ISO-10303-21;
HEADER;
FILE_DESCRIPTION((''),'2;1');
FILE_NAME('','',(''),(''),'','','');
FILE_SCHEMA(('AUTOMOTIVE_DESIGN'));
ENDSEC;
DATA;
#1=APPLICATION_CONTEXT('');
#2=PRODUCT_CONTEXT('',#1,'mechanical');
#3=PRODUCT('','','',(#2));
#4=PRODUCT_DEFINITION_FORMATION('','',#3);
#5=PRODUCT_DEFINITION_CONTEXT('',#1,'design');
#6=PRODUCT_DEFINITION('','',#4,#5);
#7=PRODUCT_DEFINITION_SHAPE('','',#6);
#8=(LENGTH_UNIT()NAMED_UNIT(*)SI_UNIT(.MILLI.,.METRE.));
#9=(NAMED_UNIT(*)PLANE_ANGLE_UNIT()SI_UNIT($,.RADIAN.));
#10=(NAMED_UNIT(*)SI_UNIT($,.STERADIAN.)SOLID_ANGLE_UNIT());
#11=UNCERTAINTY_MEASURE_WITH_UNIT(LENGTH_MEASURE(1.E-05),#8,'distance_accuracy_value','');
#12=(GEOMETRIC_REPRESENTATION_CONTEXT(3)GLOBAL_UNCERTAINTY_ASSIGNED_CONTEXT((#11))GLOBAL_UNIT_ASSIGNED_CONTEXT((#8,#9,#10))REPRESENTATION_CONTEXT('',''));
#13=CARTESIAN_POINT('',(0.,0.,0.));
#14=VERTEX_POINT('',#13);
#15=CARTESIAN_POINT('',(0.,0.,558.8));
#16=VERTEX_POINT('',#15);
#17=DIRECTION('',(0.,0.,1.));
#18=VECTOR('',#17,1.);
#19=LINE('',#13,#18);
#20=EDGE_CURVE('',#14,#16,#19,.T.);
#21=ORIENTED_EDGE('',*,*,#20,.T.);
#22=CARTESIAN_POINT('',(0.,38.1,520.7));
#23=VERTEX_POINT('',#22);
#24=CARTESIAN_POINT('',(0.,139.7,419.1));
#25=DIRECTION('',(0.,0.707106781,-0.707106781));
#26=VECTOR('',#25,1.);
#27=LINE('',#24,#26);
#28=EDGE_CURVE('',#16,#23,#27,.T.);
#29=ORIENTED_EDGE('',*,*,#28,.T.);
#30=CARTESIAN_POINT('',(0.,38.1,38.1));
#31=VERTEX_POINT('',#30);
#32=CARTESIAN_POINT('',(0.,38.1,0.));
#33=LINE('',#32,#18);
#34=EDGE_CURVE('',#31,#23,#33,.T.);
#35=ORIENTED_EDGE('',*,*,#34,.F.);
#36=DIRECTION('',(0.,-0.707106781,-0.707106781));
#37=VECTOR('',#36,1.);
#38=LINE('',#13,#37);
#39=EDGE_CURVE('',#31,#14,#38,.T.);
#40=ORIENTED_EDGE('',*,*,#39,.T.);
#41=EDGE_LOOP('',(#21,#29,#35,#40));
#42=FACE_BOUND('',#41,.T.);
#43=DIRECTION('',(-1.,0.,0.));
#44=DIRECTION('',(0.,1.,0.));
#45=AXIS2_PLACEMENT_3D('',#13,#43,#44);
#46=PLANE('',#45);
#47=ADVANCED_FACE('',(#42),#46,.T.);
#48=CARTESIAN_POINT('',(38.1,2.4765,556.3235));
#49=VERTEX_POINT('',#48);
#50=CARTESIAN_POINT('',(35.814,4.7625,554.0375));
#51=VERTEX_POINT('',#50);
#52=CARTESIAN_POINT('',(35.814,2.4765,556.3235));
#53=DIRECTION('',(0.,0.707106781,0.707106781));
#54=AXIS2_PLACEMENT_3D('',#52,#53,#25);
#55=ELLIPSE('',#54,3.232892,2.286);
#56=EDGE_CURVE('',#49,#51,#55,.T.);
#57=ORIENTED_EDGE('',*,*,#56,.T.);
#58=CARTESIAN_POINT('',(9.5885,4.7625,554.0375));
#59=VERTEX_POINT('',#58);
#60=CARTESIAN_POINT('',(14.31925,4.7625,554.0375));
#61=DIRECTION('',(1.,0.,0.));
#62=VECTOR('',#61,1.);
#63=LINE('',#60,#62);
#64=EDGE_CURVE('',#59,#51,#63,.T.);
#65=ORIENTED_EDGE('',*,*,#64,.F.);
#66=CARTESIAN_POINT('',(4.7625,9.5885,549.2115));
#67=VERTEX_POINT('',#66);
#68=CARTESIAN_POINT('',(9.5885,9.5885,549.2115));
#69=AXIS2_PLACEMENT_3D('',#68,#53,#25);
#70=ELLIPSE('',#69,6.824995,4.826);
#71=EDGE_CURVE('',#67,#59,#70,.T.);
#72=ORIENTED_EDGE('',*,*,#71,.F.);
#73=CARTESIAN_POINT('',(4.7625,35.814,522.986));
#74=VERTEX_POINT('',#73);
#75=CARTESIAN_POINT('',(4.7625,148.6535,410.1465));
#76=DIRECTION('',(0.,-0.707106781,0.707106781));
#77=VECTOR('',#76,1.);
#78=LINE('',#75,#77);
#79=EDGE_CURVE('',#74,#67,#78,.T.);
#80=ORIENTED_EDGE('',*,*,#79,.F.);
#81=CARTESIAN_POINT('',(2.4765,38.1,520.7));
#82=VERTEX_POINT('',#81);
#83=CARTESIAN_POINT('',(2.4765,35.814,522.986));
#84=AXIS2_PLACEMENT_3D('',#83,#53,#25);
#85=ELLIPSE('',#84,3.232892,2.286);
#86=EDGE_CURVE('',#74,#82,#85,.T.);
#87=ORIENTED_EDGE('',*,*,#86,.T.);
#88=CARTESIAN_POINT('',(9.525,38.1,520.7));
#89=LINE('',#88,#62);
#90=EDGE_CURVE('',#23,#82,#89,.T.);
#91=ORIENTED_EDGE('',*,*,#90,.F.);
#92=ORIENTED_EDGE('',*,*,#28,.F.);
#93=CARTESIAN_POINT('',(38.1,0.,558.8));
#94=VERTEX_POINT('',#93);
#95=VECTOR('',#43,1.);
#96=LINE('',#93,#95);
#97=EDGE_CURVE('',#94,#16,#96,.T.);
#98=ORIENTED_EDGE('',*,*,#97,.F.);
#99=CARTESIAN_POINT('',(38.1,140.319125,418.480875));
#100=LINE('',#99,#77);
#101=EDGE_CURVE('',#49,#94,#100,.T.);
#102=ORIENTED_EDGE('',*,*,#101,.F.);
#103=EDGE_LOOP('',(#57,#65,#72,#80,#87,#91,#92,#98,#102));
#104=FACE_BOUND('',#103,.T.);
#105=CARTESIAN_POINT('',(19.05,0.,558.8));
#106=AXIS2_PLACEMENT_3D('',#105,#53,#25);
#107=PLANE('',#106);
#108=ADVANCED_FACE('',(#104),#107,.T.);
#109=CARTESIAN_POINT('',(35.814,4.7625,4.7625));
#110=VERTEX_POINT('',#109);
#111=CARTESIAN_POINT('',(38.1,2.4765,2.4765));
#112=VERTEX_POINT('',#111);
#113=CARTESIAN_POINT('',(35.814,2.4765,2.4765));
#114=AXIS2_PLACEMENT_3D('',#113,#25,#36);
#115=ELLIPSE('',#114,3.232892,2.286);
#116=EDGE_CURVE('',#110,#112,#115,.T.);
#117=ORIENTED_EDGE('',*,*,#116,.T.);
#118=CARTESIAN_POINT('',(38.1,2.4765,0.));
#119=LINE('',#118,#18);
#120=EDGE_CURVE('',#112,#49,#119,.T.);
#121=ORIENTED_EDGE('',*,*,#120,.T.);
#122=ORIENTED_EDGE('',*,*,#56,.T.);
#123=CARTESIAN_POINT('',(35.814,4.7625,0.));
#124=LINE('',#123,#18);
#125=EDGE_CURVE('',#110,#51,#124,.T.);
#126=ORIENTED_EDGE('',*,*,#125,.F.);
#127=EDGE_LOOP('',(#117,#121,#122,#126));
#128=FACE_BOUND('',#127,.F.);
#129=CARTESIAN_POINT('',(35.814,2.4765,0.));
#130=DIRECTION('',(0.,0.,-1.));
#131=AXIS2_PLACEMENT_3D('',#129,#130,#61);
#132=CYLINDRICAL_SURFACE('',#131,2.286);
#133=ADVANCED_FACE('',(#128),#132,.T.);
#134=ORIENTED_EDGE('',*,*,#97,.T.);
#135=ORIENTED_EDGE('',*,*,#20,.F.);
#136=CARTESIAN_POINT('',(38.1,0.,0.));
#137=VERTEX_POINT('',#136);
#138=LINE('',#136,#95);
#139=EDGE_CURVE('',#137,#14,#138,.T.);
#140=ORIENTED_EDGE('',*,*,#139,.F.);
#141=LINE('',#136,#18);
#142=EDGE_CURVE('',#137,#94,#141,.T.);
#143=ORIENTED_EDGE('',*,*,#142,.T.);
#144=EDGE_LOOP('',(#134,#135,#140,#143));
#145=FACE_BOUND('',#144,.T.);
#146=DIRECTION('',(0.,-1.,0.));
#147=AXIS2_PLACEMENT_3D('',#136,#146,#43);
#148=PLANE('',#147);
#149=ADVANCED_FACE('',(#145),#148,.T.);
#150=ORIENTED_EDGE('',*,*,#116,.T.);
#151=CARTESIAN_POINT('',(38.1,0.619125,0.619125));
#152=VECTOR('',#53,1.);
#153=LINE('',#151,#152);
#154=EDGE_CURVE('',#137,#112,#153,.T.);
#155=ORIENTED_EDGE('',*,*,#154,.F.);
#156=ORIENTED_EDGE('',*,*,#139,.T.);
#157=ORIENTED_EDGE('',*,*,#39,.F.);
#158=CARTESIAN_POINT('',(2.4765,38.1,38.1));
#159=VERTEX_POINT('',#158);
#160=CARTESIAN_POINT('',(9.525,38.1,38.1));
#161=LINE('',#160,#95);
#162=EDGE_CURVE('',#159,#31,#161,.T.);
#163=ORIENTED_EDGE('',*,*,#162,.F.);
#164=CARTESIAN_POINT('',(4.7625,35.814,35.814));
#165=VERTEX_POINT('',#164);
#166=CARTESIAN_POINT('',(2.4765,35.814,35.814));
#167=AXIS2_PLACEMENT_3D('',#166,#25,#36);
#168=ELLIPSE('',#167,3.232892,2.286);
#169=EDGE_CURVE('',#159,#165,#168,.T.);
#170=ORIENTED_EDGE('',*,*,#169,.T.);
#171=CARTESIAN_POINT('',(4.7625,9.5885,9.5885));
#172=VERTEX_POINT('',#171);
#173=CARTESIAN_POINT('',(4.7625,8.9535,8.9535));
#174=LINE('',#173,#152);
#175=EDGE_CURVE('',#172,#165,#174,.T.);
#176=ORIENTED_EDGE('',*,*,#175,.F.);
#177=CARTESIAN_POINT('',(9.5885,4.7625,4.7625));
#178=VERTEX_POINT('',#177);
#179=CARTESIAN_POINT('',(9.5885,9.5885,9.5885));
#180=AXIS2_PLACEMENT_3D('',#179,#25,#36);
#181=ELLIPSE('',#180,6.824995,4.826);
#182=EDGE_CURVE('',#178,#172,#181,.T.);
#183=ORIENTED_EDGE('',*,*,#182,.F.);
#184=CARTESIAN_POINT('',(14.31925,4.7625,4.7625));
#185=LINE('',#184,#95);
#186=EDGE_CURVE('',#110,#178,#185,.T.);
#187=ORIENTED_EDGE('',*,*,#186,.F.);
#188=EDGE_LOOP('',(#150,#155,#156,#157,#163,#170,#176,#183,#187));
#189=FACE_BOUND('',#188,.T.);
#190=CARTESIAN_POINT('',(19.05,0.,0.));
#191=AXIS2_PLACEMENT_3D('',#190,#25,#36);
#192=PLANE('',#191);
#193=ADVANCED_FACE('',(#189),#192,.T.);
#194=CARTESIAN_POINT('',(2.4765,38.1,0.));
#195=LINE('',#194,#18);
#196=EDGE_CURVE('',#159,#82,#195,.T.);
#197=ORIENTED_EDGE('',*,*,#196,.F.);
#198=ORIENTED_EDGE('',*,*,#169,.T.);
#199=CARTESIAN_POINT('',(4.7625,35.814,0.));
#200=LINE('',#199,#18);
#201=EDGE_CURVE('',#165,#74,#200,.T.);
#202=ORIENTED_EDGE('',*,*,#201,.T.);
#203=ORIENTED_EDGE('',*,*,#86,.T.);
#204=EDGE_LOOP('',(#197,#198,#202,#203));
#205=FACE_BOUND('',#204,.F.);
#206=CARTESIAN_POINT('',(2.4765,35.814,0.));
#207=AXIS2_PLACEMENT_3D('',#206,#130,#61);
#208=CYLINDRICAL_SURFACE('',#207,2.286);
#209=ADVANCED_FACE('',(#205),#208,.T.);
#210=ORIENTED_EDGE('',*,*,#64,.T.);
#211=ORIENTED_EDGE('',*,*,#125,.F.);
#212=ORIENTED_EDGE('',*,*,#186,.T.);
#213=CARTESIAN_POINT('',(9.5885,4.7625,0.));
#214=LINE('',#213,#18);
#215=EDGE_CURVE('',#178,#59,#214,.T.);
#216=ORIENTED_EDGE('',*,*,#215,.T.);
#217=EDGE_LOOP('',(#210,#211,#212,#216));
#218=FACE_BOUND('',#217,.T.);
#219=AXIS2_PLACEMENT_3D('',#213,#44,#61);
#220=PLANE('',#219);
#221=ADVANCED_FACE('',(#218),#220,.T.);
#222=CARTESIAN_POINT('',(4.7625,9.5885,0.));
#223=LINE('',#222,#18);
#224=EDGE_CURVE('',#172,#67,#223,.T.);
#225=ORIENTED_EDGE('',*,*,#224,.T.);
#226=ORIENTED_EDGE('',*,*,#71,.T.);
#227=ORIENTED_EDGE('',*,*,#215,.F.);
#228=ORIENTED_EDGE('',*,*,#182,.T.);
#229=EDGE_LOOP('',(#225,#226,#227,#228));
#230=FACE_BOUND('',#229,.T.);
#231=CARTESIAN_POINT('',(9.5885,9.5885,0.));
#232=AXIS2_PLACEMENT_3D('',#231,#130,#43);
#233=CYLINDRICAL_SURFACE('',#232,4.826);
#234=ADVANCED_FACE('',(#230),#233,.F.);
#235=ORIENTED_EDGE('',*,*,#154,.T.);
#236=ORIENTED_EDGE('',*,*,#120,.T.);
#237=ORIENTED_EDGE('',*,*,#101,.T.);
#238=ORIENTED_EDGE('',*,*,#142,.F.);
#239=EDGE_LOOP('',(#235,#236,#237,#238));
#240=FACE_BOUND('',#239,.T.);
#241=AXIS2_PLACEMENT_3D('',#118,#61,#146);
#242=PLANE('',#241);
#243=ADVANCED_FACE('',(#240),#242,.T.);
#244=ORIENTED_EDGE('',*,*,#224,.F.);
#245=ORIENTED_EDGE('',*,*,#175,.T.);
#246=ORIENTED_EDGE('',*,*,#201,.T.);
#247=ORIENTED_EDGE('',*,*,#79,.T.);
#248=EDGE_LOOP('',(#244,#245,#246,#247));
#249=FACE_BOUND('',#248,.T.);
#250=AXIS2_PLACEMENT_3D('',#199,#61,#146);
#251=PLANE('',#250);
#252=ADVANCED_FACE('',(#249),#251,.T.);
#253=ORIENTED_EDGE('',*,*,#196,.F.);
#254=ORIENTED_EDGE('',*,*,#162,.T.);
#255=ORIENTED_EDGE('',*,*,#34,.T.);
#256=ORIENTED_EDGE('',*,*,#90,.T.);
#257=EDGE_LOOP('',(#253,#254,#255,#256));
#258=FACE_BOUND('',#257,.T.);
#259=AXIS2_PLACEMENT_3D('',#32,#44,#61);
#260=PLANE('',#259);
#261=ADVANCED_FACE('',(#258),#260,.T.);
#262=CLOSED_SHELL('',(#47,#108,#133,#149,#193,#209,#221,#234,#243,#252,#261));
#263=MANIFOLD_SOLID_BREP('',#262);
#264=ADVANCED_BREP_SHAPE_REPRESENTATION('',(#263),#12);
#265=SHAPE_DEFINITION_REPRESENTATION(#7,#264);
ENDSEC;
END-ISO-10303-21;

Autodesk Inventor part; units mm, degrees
ref_plane "Start plane" through (0, 0, 0) normal (0, 0, 1) x (1, 0, 0)
ref_plane "End plane" through (0, 0, 558.8) normal (0, 0, 1) x (1, 0, 0)
sketch "Sketch" plane through (0, 0, 0) normal (0, 0, 1) x (1, 0, 0)
  line L0 (38.1, 0) -> (0, 0)
  line L1 (0, 0) -> (0, 38.1)
  line L2 (0, 38.1) -> (2.4765, 38.1)
  line L3 (4.7625, 35.814) -> (4.7625, 9.5885)
  line L4 (9.5885, 4.7625) -> (35.814, 4.7625)
  line L5 (38.1, 2.4765) -> (38.1, 0)
  line L6 (0, -11.0414) -> (0, 31.5385) construction
  line L7 (-11.0414, 0) -> (31.5385, 0) construction
  arc A0 (4.7625, 9.5885) -> (9.5885, 4.7625) centre (9.5885, 9.5885) ccw
  arc A1 (4.7625, 35.814) -> (2.4765, 38.1) centre (2.4765, 35.814) ccw
  arc A2 (38.1, 2.4765) -> (35.814, 4.7625) centre (35.814, 2.4765) ccw
  line L8 (0, 48.4964) -> (0, -20.9644) construction
  line L9 (-20.9644, 0) -> (48.4964, 0) construction
  point P0 (4.7625, 38.1)
  point P1 (4.7625, 4.7625)
  point P2 (38.1, 4.7625)
  dimension "d0" = 38.1
  dimension "d1" = 38.1
  dimension "d2" = 4.7625
  dimension "d3" = 4.7625
  dimension "d10" = 0
  dimension "d11" = 0
  dimension "d14" = 4.826
  dimension "d15" = 2.286
extrude "Body" add sketch "Sketch" along normal up to surface (558.8 mm away) from surface at 0
sketch "Sketch3" plane through (0, 0, 0) normal (0, 0, 1) x (1, 0, 0)
  line L0 (0, 0) -> (10, 0)
ref_plane "Work Plane3" through (0, 0, 0) normal (0, -1, 0) x (1, 0, 0)
sketch "Sketch4" plane through (0, 0, 0) normal (0, -1, 0) x (1, 0, 0)
  line L0 (-2, 0) -> (12, 0)
  line L1 (-2, 558.8) -> (12, 558.8)
  dimension "d17" = 558.8
ref_plane "Work Plane4" through (19.05, 0, 0) normal (0, 0.7071, -0.7071) x (1, 0, 0)
split "Split1" plane through (19.05, 0, 0) removes the side toward (0, 0.7071, -0.7071)
ref_plane "Work Plane5" through (19.05, 0, 558.8) normal (0, 0.7071, 0.7071) x (1, 0, 0)
split "Split2" plane through (19.05, 0, 558.8) removes the side toward (0, 0.7071, 0.7071)
equation "\"d0\" = G_H"
equation "\"d1\" = G_H"
equation "\"d2\" = G_T"
equation "\"d3\" = G_T"
equation "\"d14\" = G_IR"
equation "\"d15\" = G_ER"
equation "\"d4\" = G_L"
equation "\"G_H\" = 38.1"
equation "\"G_T\" = 4.7625"
equation "\"G_ER\" = 2.286"
equation "\"G_IR\" = 4.826"
equation "\"G_L\" = d17"
equation "\"ex\" = 0"
equation "\"G_OFFSET_START\" = 0"
equation "\"G_OFFSET_END\" = 0"
equation "\"d13\" = G_OFFSET_END + B_L"
equation "\"B_L\" = 558.8"
properties part number "AISC - L 1.5 x 1.5 x 3/16 - 22" material "Aluminum 6061-AHC"
